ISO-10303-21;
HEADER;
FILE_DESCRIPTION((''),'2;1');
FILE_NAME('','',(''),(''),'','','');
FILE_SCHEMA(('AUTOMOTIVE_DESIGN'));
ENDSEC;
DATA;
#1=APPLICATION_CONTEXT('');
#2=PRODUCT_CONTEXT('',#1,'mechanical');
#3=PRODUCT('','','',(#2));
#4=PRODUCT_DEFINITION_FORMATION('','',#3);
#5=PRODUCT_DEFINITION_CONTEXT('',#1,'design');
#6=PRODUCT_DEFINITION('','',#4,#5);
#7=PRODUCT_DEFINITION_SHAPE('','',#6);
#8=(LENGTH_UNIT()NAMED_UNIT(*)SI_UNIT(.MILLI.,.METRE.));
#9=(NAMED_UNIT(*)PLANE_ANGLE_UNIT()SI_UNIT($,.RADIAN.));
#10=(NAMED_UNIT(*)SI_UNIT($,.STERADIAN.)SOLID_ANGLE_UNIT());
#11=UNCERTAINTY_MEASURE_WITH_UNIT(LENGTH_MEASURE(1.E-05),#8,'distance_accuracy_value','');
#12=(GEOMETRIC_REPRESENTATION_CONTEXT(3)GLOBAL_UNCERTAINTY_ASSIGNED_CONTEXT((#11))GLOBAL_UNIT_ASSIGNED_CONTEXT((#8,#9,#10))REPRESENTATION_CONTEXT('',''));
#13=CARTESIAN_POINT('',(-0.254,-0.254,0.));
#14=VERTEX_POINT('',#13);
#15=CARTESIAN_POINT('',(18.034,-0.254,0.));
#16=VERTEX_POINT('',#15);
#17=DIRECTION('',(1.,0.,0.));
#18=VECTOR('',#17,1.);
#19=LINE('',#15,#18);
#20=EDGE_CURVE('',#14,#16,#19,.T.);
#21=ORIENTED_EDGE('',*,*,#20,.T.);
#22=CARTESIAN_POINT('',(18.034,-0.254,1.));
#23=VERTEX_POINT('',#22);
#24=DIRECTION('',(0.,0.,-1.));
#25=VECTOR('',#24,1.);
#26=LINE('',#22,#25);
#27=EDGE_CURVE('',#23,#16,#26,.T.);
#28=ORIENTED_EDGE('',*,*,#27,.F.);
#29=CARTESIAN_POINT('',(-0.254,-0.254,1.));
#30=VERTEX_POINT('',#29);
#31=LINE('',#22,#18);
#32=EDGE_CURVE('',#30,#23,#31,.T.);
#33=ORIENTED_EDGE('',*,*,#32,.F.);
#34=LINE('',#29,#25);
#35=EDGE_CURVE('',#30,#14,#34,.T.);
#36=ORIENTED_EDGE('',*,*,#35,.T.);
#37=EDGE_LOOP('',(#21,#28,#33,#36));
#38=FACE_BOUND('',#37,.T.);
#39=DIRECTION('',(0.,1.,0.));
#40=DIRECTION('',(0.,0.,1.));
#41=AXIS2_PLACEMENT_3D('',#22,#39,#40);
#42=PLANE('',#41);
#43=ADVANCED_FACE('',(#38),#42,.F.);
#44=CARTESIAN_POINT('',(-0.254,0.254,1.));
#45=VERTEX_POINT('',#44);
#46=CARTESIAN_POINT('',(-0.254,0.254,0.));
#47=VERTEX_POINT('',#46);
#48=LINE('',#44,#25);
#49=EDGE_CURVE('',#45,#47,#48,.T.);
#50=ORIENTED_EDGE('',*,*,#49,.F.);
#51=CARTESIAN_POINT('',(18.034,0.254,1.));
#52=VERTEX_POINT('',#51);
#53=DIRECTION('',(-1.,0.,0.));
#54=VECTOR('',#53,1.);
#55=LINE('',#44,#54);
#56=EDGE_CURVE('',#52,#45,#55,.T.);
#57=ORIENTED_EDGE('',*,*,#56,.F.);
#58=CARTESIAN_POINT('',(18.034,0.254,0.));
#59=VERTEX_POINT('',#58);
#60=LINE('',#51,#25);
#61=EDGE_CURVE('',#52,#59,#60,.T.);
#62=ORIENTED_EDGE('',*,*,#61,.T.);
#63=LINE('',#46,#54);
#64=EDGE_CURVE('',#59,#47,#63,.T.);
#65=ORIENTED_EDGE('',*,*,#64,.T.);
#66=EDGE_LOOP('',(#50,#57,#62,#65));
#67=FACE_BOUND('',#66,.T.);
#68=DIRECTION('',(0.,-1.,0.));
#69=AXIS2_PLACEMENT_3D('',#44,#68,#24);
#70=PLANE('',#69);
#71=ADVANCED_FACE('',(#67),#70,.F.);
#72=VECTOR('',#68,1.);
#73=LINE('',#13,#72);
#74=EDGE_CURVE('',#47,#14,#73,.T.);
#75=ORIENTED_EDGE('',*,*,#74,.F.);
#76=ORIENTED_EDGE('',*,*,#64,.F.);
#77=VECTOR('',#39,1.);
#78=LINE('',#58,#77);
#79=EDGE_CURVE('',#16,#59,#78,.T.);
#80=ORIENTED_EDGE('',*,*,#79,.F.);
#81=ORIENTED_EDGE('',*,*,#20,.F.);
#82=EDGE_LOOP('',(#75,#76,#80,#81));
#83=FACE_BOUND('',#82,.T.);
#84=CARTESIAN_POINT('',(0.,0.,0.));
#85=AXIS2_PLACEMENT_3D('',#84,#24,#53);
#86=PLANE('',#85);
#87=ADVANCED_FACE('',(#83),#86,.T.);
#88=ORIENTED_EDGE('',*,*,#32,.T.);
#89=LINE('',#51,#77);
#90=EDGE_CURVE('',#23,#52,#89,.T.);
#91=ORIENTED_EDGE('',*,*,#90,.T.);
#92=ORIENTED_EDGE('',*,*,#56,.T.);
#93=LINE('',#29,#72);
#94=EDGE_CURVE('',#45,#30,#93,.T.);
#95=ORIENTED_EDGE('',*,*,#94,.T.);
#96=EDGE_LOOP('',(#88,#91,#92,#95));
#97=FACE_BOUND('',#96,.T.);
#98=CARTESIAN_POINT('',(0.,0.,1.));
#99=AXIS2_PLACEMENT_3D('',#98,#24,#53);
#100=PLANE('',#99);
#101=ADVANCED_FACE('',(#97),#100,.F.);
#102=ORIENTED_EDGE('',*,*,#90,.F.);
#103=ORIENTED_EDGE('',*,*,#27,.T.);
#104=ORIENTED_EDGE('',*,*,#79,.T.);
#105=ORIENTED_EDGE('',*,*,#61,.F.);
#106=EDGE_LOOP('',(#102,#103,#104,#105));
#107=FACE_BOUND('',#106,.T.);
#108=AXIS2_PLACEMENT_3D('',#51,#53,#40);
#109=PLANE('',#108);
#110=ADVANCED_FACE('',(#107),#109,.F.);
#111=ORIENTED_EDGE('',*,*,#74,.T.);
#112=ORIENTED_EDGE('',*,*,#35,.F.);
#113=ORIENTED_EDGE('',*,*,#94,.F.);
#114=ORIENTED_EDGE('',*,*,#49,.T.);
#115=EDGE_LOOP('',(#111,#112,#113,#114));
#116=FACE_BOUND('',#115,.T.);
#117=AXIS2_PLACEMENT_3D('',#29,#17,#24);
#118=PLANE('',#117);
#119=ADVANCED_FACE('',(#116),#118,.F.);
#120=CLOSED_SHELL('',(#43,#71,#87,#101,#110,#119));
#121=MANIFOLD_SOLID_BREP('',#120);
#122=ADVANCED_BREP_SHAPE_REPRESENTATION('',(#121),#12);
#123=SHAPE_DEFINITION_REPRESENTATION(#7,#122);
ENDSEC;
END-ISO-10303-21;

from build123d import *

# Parameters (mm, degrees)
SKETCH1_W               = 18.288
SKETCH1_H               = 0.508
COMPONENT_OUTLINE_DEPTH = 1


with BuildPart() as part:
    # Sketch1 → Component_Outline (new body)
    with BuildSketch(Plane.XY):
        with Locations((8.89, 0)):
            Rectangle(SKETCH1_W, SKETCH1_H)
    extrude(amount=COMPONENT_OUTLINE_DEPTH)


solid = part.part
